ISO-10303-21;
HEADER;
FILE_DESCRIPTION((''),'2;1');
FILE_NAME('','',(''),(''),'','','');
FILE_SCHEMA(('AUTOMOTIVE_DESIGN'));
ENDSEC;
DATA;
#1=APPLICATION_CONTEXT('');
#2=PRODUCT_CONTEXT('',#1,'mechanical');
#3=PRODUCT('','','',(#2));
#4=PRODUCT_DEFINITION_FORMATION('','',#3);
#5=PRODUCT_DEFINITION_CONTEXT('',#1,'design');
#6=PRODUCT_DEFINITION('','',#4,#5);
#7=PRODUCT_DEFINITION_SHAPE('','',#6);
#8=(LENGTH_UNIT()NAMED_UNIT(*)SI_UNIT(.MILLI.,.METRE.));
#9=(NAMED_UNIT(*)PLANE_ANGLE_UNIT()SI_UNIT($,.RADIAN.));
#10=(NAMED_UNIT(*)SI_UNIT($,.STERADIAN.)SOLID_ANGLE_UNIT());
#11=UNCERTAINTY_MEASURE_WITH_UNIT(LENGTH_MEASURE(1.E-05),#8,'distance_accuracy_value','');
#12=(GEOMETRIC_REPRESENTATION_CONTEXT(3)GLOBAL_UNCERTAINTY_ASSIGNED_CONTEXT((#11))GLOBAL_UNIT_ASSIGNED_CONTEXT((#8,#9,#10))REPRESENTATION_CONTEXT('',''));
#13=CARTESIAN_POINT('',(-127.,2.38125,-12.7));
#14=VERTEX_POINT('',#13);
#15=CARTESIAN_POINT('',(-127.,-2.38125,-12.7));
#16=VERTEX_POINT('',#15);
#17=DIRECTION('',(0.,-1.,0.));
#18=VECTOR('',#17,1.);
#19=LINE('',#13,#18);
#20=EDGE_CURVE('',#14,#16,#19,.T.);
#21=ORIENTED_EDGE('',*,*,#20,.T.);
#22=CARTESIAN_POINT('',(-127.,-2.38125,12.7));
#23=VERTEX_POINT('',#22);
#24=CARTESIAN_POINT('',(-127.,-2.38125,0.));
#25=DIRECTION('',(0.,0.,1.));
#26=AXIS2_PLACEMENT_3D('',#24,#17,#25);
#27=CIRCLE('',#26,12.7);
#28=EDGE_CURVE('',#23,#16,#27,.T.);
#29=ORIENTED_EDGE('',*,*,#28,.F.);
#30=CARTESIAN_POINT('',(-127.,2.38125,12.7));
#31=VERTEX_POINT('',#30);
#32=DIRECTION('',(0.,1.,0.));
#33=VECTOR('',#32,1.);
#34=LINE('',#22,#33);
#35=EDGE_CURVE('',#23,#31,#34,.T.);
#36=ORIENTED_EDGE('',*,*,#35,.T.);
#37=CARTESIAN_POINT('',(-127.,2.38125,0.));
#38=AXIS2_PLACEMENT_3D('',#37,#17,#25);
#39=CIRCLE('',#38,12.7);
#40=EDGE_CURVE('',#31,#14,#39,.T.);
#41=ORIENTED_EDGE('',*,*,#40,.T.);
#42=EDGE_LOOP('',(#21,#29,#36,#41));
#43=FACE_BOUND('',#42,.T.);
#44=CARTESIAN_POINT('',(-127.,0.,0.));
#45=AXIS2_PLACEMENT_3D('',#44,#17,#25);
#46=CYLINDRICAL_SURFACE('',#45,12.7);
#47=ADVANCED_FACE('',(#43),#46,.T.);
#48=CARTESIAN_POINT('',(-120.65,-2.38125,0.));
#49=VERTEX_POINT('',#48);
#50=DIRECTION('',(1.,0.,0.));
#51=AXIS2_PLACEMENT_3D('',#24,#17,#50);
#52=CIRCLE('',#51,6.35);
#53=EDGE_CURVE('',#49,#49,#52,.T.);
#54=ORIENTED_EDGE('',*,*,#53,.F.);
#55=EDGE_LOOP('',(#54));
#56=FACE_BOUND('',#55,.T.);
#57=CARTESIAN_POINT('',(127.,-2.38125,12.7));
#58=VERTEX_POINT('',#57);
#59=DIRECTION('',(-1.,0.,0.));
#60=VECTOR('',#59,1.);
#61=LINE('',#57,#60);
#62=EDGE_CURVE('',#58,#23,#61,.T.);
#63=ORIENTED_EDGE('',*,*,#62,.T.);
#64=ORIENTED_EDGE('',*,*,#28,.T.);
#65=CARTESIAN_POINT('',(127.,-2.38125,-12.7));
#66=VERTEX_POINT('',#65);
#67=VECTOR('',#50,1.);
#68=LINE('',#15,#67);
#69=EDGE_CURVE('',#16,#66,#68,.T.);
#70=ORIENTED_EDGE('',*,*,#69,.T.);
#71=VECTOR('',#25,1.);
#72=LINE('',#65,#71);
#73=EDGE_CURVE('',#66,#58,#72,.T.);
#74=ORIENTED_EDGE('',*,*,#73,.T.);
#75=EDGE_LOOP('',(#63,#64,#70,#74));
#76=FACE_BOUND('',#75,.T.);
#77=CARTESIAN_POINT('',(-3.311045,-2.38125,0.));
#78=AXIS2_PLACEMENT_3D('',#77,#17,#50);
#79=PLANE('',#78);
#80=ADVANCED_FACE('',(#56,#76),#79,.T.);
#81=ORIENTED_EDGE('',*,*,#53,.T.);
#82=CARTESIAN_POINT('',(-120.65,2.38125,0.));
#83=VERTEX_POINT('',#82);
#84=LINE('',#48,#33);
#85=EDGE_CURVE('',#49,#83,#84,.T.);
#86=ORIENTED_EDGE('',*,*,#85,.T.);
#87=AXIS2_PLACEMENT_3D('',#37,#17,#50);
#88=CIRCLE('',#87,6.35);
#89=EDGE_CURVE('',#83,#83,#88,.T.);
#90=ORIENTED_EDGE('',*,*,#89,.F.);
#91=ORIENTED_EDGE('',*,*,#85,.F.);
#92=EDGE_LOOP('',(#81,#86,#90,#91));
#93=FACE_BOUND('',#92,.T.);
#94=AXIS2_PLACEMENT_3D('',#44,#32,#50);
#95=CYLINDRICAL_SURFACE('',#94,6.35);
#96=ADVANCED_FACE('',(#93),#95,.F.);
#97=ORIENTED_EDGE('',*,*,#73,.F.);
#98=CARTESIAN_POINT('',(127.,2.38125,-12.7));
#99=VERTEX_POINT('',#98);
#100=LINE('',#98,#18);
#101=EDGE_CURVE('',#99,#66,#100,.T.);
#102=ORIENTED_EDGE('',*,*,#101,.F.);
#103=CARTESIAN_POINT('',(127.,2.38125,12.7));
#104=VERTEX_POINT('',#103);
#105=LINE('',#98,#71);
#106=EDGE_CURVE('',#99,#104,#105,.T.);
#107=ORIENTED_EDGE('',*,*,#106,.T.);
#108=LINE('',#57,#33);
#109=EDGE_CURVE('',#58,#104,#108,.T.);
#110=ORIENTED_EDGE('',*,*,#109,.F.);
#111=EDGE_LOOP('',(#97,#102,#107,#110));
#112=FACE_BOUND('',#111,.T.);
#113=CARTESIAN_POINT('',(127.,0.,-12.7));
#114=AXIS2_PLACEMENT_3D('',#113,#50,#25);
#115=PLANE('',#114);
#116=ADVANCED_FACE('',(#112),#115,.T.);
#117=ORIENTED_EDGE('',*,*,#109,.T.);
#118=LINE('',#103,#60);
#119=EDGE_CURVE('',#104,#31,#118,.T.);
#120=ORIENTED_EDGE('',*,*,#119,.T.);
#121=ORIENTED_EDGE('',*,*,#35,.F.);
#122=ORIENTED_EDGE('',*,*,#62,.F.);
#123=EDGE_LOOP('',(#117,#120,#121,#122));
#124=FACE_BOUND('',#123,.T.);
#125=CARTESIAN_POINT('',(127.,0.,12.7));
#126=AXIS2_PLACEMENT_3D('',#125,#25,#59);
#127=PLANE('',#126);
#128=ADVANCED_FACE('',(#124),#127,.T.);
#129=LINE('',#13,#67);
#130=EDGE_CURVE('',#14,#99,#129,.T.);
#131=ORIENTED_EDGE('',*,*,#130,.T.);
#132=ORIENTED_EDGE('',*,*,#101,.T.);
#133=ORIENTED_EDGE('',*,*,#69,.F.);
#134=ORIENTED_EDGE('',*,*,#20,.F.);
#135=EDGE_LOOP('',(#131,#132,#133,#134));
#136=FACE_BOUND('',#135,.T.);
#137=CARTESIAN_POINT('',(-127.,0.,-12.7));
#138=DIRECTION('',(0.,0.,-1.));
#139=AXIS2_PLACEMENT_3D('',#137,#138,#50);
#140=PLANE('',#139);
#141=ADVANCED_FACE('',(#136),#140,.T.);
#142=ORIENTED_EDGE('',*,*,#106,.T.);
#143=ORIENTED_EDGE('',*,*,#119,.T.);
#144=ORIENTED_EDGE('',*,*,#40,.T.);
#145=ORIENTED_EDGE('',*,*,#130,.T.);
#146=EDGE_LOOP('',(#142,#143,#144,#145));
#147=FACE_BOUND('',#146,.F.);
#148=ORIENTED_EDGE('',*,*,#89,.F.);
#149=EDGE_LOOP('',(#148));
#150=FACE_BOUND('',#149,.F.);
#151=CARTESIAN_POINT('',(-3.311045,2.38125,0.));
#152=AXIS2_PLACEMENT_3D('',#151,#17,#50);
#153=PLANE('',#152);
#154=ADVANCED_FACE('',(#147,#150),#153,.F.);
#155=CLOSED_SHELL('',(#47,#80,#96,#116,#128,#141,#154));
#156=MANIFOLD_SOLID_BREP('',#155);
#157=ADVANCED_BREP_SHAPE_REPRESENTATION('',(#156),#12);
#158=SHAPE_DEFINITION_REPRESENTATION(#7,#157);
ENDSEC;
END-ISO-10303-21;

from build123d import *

# Parameters (mm, degrees)
F0_R     = 6.35
F1_DEPTH = 2.38125


with BuildPart() as f1:
    # F0 (on Front) → F1 (new body, symmetric)
    with BuildSketch(Plane.XZ):
        with BuildLine():
            ThreePointArc((-127, 12.7), (-139.7, 0), (-127, -12.7))
            Line((-127, -12.7), (127, -12.7))
            Line((127, -12.7), (127, 12.7))
            Line((127, 12.7), (-127, 12.7))
        make_face()
        with Locations((-127, 0)):
            Circle(F0_R, mode=Mode.SUBTRACT)
    extrude(amount=F1_DEPTH, both=True)


solid = f1.part
